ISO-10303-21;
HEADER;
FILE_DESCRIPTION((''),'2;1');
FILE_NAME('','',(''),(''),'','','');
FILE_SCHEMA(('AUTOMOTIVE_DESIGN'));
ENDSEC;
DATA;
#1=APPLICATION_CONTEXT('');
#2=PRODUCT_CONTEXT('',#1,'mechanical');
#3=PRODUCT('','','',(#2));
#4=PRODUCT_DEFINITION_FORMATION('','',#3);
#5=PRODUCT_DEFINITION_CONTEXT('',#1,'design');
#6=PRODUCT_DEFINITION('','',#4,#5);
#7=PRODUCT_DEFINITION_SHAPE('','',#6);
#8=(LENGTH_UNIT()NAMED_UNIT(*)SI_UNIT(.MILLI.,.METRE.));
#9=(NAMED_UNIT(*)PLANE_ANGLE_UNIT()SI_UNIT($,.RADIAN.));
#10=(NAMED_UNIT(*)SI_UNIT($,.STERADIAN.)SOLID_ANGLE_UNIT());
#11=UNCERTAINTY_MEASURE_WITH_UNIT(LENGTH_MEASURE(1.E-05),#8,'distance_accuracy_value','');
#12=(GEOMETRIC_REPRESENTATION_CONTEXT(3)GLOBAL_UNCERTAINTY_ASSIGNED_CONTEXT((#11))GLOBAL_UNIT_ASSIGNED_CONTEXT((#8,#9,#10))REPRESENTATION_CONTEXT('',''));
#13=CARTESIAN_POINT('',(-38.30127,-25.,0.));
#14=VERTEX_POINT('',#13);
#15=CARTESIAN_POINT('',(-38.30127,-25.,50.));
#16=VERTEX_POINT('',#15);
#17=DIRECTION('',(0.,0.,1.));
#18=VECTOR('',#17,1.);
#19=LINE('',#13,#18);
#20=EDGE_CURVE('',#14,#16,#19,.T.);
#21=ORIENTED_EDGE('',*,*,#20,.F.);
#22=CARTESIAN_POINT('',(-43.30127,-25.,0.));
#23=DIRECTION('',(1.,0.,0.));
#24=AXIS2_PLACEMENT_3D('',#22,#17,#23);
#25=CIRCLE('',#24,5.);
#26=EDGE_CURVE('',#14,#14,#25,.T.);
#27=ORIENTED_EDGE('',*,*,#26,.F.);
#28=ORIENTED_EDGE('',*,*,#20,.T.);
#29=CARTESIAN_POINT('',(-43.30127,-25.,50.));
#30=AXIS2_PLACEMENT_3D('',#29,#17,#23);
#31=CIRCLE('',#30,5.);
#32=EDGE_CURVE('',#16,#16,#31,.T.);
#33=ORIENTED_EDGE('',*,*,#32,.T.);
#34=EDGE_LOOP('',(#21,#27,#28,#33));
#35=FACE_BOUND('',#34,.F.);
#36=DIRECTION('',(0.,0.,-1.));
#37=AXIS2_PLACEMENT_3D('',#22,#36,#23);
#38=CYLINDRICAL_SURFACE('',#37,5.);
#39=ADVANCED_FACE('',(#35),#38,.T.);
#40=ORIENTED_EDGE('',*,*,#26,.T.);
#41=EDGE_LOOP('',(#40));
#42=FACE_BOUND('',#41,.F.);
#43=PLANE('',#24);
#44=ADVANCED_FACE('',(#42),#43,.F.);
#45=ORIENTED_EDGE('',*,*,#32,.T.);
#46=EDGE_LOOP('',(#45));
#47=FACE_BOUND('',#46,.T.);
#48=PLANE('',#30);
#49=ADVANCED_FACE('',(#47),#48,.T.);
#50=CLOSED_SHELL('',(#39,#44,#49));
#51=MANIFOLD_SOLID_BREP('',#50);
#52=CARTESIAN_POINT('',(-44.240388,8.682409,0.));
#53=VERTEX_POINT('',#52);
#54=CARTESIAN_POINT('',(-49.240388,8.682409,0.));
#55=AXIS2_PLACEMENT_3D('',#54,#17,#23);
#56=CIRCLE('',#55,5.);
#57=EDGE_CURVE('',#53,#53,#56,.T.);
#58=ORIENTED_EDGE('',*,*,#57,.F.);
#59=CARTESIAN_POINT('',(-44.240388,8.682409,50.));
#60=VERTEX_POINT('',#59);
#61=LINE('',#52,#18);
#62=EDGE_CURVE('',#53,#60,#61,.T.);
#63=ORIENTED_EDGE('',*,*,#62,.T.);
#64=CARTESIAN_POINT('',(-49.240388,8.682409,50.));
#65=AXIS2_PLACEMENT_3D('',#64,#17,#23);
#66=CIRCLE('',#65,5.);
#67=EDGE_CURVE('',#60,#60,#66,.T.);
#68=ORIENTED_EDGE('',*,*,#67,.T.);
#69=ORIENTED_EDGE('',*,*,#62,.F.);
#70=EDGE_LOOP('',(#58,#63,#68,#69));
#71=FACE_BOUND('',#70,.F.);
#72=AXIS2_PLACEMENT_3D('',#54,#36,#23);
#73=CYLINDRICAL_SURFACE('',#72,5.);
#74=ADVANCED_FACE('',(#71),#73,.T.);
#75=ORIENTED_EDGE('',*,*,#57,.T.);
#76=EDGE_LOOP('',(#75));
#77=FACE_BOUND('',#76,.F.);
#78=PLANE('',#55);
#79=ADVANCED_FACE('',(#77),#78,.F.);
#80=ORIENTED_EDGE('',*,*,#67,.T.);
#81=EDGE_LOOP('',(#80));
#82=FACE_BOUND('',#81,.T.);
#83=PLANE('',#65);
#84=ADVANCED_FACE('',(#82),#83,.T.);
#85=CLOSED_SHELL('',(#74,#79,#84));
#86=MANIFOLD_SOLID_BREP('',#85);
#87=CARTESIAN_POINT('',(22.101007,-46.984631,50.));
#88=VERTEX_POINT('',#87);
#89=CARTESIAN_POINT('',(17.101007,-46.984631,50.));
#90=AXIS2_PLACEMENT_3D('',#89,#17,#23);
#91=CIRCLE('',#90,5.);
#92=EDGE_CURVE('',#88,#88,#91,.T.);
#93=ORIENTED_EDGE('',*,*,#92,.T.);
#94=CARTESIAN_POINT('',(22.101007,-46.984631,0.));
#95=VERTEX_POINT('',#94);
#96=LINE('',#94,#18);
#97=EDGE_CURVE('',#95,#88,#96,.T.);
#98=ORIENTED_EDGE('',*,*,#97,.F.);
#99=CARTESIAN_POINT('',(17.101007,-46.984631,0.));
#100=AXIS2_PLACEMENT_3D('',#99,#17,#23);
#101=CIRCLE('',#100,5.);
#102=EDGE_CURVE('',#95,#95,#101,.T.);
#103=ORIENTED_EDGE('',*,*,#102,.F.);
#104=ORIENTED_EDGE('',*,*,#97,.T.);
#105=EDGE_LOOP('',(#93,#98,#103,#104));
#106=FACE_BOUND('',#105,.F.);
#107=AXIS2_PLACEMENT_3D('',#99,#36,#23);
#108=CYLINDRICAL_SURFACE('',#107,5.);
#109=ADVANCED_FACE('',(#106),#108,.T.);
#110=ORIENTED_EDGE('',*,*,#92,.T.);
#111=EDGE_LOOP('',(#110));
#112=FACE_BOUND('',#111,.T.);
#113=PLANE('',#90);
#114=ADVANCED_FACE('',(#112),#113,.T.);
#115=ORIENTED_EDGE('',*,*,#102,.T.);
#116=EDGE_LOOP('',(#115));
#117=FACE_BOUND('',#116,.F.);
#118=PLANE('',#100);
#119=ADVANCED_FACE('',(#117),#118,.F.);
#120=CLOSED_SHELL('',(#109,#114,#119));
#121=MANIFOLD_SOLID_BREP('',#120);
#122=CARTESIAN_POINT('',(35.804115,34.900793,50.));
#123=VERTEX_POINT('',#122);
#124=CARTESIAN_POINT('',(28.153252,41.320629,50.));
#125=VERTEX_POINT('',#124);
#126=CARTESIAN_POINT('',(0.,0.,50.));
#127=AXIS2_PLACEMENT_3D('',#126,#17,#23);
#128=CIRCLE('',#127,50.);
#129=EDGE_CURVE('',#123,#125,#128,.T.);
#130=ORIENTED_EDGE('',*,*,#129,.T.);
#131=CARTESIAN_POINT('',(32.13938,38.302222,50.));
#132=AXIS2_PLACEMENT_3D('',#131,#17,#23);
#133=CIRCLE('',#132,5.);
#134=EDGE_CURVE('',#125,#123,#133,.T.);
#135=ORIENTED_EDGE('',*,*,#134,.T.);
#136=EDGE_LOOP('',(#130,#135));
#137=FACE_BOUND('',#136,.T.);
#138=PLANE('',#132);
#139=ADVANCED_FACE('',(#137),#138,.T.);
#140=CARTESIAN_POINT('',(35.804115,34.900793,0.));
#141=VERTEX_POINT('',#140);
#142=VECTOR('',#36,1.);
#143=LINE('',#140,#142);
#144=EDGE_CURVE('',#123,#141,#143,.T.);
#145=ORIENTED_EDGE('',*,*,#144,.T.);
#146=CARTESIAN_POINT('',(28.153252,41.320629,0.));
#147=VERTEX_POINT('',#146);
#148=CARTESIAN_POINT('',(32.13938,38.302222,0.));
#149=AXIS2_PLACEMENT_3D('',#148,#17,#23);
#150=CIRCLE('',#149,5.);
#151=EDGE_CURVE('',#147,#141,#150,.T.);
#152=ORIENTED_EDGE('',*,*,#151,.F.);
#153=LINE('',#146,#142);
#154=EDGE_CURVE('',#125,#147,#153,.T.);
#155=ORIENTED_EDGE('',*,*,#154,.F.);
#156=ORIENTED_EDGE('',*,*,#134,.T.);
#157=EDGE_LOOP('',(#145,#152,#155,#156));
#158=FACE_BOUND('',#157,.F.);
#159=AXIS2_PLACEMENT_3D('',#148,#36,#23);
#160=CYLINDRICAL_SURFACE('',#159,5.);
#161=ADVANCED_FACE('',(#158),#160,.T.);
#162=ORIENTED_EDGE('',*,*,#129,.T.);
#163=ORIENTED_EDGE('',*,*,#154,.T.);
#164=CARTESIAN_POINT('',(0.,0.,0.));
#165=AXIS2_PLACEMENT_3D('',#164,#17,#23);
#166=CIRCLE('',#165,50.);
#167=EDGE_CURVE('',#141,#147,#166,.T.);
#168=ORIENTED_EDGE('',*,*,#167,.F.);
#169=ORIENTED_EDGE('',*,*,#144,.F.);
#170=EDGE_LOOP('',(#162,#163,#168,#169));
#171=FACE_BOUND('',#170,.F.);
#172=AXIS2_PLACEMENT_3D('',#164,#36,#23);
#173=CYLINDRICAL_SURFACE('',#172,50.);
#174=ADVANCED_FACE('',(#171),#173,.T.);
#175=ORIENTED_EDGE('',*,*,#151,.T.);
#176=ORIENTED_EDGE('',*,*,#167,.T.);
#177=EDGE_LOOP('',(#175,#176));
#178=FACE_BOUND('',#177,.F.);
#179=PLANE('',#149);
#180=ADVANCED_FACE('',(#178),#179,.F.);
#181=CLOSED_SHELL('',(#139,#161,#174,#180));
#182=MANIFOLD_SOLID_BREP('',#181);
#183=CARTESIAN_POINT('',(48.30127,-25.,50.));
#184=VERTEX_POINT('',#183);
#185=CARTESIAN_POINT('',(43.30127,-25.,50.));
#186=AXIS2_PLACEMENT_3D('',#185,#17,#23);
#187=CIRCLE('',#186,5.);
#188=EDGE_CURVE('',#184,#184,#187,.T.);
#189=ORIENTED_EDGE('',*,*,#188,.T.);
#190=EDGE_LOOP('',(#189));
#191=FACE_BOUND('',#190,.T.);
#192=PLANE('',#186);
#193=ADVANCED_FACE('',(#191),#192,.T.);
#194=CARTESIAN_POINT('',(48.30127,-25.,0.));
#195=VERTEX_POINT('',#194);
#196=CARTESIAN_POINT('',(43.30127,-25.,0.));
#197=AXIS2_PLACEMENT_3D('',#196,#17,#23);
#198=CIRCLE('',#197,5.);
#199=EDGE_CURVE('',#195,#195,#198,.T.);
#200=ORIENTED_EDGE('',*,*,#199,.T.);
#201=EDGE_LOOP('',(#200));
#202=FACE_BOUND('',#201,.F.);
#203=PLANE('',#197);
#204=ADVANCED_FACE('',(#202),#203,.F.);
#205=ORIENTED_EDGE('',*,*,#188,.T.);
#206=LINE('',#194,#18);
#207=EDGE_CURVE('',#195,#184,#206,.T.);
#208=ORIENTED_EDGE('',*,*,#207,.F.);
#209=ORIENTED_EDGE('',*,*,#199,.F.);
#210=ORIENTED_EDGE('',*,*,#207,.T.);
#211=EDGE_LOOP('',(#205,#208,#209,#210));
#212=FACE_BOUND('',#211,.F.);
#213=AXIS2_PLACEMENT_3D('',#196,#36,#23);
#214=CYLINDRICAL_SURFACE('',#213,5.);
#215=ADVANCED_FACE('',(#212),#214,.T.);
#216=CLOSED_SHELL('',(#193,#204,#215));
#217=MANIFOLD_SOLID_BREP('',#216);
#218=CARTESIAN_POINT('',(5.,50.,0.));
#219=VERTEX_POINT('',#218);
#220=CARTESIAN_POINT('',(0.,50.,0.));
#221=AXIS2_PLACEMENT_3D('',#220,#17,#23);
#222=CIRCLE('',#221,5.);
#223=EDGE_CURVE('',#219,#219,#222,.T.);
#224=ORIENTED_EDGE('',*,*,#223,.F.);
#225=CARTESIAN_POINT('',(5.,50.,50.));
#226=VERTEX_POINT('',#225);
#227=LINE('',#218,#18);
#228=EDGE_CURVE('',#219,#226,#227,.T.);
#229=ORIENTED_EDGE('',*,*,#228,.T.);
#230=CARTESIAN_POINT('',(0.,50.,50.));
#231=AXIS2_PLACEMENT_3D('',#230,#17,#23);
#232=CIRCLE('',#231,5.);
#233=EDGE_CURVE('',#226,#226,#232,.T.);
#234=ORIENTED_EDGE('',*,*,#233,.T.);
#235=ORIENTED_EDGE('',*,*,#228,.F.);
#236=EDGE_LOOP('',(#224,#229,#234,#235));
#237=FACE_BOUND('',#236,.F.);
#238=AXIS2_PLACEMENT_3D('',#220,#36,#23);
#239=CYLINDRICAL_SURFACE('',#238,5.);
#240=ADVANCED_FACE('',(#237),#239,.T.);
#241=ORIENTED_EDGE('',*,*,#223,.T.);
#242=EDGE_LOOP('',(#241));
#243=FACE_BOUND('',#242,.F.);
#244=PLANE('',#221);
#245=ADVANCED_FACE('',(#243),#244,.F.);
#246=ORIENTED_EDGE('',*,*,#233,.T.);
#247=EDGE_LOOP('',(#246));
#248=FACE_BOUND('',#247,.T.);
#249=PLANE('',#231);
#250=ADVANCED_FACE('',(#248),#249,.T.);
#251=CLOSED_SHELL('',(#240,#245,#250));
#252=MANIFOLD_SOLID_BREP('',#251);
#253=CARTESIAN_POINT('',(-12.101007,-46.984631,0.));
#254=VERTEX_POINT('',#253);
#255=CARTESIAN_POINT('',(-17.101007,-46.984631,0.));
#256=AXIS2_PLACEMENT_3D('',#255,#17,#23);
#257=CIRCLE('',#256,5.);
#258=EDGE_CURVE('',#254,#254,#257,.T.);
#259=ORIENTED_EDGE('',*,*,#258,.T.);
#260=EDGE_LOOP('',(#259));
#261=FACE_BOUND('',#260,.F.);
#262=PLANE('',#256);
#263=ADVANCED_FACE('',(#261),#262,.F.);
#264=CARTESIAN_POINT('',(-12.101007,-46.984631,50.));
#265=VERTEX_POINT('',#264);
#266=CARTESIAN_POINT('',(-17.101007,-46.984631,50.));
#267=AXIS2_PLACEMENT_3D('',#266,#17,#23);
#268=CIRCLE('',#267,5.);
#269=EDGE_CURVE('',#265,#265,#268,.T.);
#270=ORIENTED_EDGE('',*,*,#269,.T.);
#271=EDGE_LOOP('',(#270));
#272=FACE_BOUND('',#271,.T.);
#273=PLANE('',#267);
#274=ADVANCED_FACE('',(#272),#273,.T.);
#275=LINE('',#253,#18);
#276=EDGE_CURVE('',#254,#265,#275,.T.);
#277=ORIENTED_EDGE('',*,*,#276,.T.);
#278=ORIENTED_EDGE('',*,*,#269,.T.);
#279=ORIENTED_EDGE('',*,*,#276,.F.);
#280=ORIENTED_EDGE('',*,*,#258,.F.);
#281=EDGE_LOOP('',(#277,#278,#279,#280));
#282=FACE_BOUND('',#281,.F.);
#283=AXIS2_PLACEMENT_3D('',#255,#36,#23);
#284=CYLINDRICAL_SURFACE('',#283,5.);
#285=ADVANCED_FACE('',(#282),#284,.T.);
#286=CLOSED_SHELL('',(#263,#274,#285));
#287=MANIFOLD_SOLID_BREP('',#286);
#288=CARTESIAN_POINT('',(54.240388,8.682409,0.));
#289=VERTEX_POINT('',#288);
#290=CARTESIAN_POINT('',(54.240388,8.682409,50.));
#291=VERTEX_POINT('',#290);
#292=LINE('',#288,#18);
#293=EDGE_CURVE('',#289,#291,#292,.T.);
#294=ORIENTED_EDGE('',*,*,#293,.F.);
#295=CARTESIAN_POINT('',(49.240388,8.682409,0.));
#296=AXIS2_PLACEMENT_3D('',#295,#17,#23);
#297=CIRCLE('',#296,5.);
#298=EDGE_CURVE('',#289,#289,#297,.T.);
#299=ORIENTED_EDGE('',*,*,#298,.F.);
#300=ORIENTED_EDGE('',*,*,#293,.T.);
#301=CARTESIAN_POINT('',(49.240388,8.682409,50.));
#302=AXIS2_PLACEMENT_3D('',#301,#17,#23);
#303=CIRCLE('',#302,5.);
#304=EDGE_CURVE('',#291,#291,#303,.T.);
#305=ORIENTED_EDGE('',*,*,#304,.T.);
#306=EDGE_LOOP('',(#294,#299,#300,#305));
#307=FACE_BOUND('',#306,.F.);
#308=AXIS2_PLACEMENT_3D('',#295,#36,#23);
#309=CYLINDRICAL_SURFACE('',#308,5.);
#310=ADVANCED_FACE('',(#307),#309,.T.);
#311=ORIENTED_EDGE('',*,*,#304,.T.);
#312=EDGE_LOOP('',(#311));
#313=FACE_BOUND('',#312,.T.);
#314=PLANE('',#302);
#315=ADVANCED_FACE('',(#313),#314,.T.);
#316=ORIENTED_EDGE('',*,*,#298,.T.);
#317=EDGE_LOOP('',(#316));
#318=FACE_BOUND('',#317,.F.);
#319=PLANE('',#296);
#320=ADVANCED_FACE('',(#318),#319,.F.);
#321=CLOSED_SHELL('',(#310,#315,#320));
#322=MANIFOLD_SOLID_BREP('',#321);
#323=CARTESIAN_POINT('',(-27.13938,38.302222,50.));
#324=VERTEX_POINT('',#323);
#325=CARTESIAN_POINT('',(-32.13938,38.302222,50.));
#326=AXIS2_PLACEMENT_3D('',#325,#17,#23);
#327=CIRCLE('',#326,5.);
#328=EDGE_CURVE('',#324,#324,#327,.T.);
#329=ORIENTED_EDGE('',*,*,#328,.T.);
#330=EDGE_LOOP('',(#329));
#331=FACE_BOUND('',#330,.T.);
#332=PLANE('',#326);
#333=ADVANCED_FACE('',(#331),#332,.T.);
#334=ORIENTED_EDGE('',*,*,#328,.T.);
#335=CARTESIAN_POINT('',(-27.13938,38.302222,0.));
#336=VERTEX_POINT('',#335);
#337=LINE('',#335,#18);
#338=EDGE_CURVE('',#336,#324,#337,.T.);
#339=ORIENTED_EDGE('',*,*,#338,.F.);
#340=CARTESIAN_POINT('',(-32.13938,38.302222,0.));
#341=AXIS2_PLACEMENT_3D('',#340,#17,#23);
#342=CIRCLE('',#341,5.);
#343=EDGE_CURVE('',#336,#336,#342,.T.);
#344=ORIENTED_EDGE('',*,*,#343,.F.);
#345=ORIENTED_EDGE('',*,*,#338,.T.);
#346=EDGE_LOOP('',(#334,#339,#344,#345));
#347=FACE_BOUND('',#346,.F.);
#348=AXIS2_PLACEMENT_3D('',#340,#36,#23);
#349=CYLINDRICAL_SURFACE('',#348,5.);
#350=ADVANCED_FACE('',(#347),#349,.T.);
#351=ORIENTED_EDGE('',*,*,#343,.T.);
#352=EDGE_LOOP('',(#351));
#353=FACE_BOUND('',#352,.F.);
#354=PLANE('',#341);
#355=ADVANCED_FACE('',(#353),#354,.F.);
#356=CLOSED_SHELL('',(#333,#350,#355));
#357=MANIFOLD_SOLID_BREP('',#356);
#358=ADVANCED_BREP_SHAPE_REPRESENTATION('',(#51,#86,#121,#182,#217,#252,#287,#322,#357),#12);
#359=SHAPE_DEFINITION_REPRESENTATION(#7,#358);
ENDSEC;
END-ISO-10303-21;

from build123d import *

# Parameters (mm, degrees)
F0_R     = 50
F1_DEPTH = 50
F2_R     = 5
F3_DEPTH = 50


with BuildPart() as f1:
    # F0 (on Top) → F1 (new body)
    with BuildSketch(Plane.XY):
        Circle(F0_R)
    extrude(amount=F1_DEPTH)


with BuildPart() as f3:
    # F2 (on Top) → F3 (new body, through all)
    with BuildSketch(Plane.XY):
        with Locations((0, 50)):
            Circle(F2_R)
    extrude(amount=F3_DEPTH)


with BuildPart() as f3b:
    # F2 (on Top) → F3, piece 2 (new body, through all)
    with BuildSketch(Plane.XY):
        with Locations((-32.1393804843, 38.3022221559)):
            Circle(F2_R)
    extrude(amount=F3_DEPTH)


with BuildPart() as f3c:
    # F2 (on Top) → F3, piece 3 (new body, through all)
    with BuildSketch(Plane.XY):
        with Locations((-49.2403876506, 8.6824088833)):
            Circle(F2_R)
    extrude(amount=F3_DEPTH)


with BuildPart() as f3d:
    # F2 (on Top) → F3, piece 4 (new body, through all)
    with BuildSketch(Plane.XY):
        with Locations((-43.3012701892, -25)):
            Circle(F2_R)
    extrude(amount=F3_DEPTH)


with BuildPart() as f3e:
    # F2 (on Top) → F3, piece 5 (new body, through all)
    with BuildSketch(Plane.XY):
        with Locations((-17.1010071663, -46.9846310393)):
            Circle(F2_R)
    extrude(amount=F3_DEPTH)


with BuildPart() as f3f:
    # F2 (on Top) → F3, piece 6 (new body, through all)
    with BuildSketch(Plane.XY):
        with Locations((17.1010071663, -46.9846310393)):
            Circle(F2_R)
    extrude(amount=F3_DEPTH)


with BuildPart() as f3g:
    # F2 (on Top) → F3, piece 7 (new body, through all)
    with BuildSketch(Plane.XY):
        with Locations((43.3012701892, -25)):
            Circle(F2_R)
    extrude(amount=F3_DEPTH)


with BuildPart() as f3h:
    # F2 (on Top) → F3, piece 8 (new body, through all)
    with BuildSketch(Plane.XY):
        with Locations((49.2403876506, 8.6824088833)):
            Circle(F2_R)
    extrude(amount=F3_DEPTH)


with BuildPart() as f3i:
    # F2 (on Top) → F3, piece 9 (new body, through all)
    with BuildSketch(Plane.XY):
        with Locations((32.1393804843, 38.3022221559)):
            Circle(F2_R)
    extrude(amount=F3_DEPTH)

    # F4: intersect F1
    add(f1.part, mode=Mode.INTERSECT)


solid = Compound([f3.part, f3b.part, f3c.part, f3d.part, f3e.part, f3f.part, f3g.part, f3h.part, f3i.part])
